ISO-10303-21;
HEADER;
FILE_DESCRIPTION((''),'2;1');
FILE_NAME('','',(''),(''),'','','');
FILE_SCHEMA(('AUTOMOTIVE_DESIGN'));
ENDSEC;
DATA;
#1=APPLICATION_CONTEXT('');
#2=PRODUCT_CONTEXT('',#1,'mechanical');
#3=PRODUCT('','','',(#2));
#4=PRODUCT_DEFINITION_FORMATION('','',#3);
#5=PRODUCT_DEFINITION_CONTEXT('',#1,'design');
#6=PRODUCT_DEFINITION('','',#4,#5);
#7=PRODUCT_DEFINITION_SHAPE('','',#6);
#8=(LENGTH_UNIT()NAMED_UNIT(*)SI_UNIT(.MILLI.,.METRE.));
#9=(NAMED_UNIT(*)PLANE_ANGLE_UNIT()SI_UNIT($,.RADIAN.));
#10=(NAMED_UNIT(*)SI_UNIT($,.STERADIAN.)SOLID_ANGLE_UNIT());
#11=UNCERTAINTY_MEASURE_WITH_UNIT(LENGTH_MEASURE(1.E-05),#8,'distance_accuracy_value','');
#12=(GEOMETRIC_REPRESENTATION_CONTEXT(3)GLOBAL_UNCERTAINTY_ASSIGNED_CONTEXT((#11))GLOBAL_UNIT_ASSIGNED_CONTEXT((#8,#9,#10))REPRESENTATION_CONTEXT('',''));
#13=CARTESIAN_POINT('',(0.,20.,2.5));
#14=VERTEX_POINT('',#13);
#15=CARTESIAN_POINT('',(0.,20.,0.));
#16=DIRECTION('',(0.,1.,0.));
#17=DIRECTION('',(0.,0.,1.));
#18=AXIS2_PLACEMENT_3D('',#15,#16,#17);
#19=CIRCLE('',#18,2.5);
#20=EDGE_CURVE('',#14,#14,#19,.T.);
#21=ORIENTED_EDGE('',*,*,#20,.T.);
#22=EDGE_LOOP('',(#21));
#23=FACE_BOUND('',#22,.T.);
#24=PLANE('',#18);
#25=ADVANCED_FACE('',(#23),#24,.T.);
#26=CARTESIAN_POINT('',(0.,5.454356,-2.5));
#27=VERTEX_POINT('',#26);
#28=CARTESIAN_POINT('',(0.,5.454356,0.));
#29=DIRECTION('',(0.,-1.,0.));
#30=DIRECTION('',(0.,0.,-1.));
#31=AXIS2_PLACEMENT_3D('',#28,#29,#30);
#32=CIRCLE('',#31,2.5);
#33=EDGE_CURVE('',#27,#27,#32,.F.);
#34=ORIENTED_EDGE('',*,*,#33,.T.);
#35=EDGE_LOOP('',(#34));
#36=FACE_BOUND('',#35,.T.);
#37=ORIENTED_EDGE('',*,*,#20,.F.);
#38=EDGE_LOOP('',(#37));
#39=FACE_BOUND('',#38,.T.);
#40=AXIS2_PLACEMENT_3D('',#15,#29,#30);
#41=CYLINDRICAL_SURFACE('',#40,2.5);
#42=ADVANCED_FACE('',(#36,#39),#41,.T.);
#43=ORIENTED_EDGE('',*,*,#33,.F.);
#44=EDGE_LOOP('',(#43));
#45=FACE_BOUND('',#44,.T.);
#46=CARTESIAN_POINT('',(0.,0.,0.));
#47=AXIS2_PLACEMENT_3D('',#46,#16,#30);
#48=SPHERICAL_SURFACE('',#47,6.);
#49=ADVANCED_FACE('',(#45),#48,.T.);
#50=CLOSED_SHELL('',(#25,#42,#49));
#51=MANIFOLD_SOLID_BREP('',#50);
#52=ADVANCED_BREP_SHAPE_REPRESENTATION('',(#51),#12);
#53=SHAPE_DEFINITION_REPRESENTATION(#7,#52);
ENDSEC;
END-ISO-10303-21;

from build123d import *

# Parameters (mm, degrees)
SKETCH2_R           = 2.5
BOSS_EXTRUDE1_DEPTH = 20


with BuildPart() as part:
    # Sketch1 → Revolve1 (revolve)
    with BuildSketch(Plane(origin=(0, 0, 0), x_dir=(0, 0, -1), z_dir=(1, 0, 0))):
        with BuildLine():
            Line((0, 6), (0, -6))
            ThreePointArc((0, -6), (6, 0), (0, 6))
        make_face()
    revolve(axis=Axis((0, 6, 0), (0, -1, 0)))

    # Sketch2 → Boss-Extrude1 (add)
    with BuildSketch(Plane(origin=(0, 0, 0), x_dir=(1, 0, 0), z_dir=(0, 1, 0))):
        with Locations(Location((0, 0, 0), (0, 0, 90))):
            Circle(SKETCH2_R)
    extrude(amount=BOSS_EXTRUDE1_DEPTH)


solid = part.part
